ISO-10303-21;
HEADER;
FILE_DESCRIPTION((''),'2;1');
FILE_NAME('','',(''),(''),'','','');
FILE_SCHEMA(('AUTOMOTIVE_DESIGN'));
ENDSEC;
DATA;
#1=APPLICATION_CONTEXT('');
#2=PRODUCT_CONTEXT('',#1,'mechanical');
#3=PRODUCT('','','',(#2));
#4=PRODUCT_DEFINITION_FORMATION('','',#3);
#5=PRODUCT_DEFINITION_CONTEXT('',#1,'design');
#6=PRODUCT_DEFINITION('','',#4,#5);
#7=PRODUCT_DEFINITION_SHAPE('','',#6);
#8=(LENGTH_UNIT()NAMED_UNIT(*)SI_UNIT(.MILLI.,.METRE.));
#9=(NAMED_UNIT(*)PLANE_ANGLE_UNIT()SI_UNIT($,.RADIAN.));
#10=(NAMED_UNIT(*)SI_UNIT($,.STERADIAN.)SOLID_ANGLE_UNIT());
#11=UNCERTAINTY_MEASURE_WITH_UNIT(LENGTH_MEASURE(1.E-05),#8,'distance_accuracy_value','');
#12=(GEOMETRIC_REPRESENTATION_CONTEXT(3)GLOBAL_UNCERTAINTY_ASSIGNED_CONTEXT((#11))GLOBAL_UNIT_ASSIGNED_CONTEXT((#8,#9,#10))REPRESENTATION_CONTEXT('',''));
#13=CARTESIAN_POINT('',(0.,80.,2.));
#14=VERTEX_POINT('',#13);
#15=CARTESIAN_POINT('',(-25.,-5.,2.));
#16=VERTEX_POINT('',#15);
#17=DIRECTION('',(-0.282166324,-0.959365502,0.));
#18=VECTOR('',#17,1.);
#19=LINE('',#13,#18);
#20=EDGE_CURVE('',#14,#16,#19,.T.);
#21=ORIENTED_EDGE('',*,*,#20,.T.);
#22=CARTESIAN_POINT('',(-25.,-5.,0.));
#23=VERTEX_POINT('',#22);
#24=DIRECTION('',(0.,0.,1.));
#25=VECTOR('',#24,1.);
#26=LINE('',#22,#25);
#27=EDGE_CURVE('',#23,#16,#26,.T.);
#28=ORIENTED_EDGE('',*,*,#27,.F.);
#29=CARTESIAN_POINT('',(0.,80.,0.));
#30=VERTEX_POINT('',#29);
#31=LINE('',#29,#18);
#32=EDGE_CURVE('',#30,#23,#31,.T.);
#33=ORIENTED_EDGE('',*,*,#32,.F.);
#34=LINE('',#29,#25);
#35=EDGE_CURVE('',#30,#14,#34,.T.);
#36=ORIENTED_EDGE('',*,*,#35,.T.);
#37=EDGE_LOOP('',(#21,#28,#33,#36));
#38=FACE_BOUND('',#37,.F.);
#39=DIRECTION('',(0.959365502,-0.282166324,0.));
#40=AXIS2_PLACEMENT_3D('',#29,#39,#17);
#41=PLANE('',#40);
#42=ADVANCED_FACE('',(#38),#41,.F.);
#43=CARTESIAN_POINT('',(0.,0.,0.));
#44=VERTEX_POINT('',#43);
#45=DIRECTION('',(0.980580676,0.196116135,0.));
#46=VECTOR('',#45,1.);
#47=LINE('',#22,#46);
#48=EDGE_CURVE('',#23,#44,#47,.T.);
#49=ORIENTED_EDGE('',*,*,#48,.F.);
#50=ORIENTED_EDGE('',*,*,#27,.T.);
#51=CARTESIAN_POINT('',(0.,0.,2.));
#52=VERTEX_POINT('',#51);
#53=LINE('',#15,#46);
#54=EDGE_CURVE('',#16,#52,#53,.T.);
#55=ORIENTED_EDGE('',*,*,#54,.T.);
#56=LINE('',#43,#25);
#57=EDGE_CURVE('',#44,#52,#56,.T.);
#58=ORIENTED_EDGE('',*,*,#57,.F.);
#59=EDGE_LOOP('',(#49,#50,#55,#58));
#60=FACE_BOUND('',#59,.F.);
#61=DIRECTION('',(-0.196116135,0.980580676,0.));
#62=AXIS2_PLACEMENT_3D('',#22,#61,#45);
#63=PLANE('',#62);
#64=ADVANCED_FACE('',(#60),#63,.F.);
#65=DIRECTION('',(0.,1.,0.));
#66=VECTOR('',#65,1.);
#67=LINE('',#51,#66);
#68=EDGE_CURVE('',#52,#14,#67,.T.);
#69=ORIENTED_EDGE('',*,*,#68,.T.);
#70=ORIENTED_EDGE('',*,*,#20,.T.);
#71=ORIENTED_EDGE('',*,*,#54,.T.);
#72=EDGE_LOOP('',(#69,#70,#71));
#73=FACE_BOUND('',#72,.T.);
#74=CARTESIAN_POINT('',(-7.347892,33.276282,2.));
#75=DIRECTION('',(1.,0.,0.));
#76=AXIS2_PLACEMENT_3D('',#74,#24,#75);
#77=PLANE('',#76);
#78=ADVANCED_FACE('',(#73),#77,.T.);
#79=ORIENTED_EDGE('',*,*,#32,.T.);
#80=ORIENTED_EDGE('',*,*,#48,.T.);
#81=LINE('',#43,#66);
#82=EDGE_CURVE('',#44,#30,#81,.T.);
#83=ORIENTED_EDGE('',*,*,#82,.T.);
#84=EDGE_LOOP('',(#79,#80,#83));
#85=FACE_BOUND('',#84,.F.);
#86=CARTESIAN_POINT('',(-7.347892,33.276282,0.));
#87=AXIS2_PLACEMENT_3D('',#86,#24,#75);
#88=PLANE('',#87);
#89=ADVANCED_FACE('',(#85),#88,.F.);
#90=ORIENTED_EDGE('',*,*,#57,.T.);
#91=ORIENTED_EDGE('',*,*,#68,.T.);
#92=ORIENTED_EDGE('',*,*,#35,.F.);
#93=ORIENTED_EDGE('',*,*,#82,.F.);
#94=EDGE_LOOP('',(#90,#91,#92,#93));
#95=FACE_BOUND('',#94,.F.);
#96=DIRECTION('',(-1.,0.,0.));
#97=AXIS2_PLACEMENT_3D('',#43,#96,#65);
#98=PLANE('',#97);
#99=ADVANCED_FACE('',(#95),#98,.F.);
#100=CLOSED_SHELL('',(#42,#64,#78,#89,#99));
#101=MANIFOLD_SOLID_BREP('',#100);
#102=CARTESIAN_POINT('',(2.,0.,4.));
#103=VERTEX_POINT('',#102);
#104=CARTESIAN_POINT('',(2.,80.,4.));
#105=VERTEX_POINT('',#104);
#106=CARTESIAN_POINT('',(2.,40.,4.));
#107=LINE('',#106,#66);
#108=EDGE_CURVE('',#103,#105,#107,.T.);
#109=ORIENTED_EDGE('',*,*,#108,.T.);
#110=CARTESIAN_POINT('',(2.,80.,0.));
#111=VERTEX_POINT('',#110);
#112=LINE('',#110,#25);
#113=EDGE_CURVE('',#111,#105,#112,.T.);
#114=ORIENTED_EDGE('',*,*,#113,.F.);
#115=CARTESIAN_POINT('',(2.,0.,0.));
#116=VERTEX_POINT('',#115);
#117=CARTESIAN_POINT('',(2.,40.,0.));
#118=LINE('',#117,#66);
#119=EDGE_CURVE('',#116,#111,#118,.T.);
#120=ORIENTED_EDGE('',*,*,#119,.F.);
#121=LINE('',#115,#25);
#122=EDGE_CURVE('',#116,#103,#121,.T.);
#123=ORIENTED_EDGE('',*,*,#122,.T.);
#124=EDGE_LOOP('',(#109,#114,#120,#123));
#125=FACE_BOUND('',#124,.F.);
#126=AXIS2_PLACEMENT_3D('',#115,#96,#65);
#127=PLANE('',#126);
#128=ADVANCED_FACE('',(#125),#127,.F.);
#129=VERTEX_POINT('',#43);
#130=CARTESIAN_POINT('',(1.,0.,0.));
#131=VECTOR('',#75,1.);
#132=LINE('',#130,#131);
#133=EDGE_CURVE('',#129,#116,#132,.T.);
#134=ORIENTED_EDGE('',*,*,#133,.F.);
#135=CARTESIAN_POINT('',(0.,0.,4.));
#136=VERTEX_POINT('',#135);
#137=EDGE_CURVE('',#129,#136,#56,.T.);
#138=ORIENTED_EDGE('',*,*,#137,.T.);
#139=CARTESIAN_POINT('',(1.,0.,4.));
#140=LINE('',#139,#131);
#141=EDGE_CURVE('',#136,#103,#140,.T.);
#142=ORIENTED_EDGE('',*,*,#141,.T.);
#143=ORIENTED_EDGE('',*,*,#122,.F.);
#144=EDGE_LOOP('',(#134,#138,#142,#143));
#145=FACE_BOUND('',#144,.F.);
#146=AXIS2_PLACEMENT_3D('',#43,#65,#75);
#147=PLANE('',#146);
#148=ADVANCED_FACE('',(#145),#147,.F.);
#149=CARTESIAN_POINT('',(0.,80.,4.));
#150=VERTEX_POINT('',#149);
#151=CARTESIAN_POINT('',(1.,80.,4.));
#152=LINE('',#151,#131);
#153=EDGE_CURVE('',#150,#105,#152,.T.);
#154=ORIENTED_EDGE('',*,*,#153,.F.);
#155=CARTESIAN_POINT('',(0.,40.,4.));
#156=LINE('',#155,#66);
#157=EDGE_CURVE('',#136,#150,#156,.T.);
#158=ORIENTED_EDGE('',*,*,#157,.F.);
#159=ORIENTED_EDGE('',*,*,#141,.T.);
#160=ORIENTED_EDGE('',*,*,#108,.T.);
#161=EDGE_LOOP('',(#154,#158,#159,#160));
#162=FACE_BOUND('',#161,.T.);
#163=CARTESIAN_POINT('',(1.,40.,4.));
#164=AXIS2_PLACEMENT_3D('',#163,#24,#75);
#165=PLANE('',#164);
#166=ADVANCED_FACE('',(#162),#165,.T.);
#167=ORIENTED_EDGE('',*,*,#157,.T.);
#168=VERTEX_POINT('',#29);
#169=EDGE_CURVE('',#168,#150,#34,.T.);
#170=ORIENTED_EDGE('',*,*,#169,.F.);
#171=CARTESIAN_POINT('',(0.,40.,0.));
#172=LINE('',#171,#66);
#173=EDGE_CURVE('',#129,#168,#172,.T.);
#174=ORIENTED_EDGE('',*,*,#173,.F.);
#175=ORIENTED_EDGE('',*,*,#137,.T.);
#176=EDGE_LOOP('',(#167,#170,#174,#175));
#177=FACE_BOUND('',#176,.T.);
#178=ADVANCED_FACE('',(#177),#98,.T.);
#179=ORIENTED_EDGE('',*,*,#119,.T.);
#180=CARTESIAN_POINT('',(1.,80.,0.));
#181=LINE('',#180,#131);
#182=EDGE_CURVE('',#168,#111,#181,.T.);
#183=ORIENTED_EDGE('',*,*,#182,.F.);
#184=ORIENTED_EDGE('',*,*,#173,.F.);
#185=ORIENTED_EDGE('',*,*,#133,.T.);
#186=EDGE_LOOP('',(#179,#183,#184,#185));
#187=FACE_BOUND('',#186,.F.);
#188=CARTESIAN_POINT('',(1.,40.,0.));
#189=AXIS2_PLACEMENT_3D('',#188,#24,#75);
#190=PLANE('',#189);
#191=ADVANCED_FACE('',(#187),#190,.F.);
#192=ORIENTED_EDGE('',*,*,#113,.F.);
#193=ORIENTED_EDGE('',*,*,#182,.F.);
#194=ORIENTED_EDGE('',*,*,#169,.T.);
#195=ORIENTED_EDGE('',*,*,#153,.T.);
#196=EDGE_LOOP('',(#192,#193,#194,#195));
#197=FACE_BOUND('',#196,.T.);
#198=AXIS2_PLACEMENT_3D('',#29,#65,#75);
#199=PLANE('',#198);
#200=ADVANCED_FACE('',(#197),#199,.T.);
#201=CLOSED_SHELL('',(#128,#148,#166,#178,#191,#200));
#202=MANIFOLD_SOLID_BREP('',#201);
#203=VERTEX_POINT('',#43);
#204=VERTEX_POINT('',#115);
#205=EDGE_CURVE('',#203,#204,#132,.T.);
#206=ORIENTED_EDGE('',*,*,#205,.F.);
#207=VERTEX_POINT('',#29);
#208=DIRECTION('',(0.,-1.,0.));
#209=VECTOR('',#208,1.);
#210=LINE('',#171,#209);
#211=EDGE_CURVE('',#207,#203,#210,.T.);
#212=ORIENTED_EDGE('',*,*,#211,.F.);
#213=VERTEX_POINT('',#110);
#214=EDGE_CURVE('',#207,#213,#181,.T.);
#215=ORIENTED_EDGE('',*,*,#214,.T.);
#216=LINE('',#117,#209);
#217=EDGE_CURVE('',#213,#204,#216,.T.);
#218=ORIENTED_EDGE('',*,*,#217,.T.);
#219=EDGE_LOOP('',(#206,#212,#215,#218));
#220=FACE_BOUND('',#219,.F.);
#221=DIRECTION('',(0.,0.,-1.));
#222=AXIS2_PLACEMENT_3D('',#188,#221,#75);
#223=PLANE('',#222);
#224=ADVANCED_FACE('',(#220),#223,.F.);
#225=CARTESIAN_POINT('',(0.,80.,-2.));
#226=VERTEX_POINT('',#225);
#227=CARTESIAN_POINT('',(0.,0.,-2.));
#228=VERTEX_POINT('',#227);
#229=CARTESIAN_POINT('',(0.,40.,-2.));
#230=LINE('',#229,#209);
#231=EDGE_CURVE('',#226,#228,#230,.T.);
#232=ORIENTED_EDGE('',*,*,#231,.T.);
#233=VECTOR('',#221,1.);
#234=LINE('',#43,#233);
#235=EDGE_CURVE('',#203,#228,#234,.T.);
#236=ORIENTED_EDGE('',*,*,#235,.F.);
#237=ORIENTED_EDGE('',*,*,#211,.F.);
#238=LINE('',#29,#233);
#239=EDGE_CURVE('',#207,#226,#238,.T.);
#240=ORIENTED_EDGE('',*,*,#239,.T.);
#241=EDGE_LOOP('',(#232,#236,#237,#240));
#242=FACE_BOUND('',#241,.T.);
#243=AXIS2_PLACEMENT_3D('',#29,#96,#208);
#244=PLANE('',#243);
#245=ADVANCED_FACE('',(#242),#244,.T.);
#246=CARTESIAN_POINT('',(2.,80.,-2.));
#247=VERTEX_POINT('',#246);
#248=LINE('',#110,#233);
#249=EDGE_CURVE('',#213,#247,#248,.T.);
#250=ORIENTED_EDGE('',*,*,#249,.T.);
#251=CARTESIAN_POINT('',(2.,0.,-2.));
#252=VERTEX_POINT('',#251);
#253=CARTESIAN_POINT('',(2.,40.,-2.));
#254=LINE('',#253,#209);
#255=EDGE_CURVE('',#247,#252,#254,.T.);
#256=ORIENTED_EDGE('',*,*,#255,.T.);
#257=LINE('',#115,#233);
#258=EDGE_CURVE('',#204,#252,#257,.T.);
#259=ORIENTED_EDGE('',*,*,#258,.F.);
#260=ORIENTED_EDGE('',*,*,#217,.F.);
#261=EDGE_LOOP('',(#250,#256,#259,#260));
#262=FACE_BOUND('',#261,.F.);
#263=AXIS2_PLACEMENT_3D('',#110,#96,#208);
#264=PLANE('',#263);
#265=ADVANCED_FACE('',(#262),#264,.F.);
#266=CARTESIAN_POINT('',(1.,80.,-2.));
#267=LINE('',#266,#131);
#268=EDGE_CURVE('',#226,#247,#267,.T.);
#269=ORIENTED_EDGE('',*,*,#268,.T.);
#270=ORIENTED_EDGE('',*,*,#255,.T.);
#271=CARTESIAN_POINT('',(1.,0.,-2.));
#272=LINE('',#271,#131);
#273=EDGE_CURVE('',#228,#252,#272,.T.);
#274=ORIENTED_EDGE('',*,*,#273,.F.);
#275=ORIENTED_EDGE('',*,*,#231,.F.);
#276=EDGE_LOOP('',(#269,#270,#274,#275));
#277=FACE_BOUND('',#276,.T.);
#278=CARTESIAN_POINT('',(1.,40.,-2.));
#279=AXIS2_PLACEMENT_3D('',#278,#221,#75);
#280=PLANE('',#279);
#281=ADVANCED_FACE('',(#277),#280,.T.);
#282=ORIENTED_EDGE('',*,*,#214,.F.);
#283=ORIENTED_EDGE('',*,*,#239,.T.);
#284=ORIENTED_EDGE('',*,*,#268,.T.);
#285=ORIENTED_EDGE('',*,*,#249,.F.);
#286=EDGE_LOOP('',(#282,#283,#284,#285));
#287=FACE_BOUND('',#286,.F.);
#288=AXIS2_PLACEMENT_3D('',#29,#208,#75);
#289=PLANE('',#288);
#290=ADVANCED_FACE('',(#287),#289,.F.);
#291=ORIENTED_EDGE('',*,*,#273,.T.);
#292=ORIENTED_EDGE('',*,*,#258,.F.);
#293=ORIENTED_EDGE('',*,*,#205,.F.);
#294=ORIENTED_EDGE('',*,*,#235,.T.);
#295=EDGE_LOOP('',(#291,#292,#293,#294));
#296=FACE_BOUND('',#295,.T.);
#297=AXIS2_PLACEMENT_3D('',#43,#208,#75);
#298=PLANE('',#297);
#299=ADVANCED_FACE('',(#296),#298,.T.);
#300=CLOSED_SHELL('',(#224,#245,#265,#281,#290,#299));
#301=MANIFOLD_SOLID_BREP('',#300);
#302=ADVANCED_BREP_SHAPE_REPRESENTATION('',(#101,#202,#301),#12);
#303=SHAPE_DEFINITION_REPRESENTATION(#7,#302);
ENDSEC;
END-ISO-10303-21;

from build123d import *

# Parameters (mm, degrees)
F1_DEPTH  = 2
F2_W      = 2
F2_H      = 80
F3_DEPTH  = 2
F3_FACE_W = 2
F3_FACE_H = 80
F4_DEPTH  = 4


with BuildPart() as f1:
    # F0 (on Top) → F1 (new body)
    with BuildSketch(Plane.XY):
        Polygon((-25, -5), (0, 0), (0, 80), align=None)
    extrude(amount=F1_DEPTH)


with BuildPart() as f3:
    # F2 (on face) → F3 (new body)
    with BuildSketch(Plane(origin=(0, 0, 0), x_dir=(1, 0, 0), z_dir=(0, 0, -1))):
        with Locations((1, -40)):
            Rectangle(F2_W, F2_H)
    extrude(amount=F3_DEPTH)


with BuildPart() as f4:
    # F3_face (on face) → F4 (new body)
    with BuildSketch(Plane(origin=(1, 40, 0), x_dir=(1, 0, 0), z_dir=(0, 0, 1))):
        Rectangle(F3_FACE_W, F3_FACE_H)
    extrude(amount=F4_DEPTH)


solid = Compound([f1.part, f3.part, f4.part])
